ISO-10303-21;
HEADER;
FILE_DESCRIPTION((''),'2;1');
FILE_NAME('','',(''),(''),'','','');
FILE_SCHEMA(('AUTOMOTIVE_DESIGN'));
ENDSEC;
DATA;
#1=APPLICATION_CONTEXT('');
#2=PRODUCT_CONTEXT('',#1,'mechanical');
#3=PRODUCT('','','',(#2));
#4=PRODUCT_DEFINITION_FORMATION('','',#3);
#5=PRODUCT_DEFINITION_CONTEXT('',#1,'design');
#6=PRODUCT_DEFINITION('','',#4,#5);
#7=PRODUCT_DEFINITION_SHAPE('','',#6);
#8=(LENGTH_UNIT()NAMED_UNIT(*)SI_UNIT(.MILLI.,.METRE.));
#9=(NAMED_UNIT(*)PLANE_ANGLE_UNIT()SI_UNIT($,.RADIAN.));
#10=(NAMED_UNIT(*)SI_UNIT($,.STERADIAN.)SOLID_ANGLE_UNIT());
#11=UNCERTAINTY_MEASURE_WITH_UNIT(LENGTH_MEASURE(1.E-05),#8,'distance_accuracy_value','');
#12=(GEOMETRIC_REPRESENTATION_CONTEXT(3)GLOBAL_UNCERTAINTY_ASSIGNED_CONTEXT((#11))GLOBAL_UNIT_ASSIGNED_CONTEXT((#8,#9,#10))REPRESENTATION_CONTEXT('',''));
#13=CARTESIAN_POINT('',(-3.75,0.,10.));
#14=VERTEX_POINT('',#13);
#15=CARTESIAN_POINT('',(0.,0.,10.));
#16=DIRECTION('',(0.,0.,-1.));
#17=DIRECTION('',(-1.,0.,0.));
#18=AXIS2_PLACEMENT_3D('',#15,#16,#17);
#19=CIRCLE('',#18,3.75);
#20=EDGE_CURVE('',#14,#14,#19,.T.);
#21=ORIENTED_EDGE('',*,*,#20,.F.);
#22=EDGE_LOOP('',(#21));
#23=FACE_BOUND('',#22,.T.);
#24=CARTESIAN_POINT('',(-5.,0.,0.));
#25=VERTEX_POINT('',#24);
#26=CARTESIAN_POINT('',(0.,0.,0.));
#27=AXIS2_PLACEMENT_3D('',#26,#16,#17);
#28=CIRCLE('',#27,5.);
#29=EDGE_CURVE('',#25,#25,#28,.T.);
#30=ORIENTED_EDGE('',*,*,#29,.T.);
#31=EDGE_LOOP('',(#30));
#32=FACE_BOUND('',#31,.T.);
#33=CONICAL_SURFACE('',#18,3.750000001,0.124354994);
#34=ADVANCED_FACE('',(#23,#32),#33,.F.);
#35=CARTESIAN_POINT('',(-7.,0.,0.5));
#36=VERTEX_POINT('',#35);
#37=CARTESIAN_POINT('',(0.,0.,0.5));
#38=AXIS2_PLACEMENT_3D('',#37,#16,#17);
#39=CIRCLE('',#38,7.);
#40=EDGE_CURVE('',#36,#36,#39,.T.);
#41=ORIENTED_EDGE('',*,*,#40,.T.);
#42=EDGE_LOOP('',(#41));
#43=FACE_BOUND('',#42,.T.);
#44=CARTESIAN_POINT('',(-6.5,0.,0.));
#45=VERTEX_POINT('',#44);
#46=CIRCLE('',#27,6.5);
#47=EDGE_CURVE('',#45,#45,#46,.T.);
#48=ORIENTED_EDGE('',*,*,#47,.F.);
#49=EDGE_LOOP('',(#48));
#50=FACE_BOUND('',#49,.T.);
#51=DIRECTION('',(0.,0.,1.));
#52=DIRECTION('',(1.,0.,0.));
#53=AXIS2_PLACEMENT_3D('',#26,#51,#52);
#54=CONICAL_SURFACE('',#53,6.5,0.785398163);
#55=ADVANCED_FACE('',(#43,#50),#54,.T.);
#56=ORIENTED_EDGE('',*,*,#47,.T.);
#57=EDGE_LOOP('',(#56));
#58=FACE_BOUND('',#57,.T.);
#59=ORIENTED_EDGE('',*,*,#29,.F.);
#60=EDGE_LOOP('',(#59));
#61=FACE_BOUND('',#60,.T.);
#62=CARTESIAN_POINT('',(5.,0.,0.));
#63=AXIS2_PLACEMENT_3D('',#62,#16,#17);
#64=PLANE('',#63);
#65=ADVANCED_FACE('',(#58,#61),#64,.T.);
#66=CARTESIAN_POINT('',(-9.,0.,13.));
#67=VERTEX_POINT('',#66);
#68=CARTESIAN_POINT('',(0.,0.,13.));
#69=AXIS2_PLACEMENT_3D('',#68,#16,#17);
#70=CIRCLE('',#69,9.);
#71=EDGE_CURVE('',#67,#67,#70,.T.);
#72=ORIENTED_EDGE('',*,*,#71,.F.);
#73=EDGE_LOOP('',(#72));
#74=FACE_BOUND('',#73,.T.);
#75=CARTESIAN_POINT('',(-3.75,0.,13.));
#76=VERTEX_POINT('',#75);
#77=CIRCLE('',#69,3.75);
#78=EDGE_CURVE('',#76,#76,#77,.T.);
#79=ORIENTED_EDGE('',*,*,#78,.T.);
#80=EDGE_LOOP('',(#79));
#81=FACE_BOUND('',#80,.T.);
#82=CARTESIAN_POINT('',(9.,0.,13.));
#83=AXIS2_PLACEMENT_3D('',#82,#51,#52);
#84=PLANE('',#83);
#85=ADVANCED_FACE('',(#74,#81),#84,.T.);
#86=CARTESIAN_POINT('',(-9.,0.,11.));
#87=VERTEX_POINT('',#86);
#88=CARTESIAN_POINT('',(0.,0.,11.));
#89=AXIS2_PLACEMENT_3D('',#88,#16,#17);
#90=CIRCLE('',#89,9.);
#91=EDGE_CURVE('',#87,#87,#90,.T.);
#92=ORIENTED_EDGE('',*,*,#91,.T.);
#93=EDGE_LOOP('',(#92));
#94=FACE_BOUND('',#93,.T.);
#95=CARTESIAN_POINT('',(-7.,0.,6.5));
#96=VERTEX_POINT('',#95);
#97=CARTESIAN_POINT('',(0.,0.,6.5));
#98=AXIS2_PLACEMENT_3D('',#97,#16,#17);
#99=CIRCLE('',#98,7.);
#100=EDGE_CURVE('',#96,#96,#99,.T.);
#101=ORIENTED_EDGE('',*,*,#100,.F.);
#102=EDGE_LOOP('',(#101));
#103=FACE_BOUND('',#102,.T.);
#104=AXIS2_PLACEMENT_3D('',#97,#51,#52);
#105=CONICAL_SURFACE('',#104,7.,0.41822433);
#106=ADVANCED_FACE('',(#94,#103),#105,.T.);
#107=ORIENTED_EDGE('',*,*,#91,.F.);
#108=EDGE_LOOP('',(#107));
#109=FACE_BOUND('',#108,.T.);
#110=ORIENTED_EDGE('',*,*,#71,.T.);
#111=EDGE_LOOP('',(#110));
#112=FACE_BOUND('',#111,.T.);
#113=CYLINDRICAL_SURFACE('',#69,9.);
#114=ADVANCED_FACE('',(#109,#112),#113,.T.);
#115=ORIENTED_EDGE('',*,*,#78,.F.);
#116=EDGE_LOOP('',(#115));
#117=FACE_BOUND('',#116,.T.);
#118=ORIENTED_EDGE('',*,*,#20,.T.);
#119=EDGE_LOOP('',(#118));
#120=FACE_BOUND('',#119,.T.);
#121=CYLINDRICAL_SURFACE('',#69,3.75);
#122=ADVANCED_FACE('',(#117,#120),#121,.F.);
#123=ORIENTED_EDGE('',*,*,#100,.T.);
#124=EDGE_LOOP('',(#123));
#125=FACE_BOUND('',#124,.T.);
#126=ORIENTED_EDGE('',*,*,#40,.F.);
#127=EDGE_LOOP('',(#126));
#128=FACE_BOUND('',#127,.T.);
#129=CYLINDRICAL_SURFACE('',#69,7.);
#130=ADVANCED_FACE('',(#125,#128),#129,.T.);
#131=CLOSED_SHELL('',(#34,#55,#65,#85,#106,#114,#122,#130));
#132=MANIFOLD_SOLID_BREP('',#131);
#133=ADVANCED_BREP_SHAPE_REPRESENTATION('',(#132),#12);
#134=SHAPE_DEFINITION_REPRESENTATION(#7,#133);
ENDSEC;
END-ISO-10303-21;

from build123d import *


with BuildPart() as part:
    # Sketch1 → Revolve1 (revolve)
    with BuildSketch(Plane.XZ):
        Polygon((7, 6.5), (9, 11), (9, 13), (3.750000001, 13), (3.750000001, 10), (4.999999999, 0), (6.5, 0), (7, 0.5), align=None)
    revolve(axis=Axis((0, 0, 13), (0, 0, -1)))


solid = part.part
